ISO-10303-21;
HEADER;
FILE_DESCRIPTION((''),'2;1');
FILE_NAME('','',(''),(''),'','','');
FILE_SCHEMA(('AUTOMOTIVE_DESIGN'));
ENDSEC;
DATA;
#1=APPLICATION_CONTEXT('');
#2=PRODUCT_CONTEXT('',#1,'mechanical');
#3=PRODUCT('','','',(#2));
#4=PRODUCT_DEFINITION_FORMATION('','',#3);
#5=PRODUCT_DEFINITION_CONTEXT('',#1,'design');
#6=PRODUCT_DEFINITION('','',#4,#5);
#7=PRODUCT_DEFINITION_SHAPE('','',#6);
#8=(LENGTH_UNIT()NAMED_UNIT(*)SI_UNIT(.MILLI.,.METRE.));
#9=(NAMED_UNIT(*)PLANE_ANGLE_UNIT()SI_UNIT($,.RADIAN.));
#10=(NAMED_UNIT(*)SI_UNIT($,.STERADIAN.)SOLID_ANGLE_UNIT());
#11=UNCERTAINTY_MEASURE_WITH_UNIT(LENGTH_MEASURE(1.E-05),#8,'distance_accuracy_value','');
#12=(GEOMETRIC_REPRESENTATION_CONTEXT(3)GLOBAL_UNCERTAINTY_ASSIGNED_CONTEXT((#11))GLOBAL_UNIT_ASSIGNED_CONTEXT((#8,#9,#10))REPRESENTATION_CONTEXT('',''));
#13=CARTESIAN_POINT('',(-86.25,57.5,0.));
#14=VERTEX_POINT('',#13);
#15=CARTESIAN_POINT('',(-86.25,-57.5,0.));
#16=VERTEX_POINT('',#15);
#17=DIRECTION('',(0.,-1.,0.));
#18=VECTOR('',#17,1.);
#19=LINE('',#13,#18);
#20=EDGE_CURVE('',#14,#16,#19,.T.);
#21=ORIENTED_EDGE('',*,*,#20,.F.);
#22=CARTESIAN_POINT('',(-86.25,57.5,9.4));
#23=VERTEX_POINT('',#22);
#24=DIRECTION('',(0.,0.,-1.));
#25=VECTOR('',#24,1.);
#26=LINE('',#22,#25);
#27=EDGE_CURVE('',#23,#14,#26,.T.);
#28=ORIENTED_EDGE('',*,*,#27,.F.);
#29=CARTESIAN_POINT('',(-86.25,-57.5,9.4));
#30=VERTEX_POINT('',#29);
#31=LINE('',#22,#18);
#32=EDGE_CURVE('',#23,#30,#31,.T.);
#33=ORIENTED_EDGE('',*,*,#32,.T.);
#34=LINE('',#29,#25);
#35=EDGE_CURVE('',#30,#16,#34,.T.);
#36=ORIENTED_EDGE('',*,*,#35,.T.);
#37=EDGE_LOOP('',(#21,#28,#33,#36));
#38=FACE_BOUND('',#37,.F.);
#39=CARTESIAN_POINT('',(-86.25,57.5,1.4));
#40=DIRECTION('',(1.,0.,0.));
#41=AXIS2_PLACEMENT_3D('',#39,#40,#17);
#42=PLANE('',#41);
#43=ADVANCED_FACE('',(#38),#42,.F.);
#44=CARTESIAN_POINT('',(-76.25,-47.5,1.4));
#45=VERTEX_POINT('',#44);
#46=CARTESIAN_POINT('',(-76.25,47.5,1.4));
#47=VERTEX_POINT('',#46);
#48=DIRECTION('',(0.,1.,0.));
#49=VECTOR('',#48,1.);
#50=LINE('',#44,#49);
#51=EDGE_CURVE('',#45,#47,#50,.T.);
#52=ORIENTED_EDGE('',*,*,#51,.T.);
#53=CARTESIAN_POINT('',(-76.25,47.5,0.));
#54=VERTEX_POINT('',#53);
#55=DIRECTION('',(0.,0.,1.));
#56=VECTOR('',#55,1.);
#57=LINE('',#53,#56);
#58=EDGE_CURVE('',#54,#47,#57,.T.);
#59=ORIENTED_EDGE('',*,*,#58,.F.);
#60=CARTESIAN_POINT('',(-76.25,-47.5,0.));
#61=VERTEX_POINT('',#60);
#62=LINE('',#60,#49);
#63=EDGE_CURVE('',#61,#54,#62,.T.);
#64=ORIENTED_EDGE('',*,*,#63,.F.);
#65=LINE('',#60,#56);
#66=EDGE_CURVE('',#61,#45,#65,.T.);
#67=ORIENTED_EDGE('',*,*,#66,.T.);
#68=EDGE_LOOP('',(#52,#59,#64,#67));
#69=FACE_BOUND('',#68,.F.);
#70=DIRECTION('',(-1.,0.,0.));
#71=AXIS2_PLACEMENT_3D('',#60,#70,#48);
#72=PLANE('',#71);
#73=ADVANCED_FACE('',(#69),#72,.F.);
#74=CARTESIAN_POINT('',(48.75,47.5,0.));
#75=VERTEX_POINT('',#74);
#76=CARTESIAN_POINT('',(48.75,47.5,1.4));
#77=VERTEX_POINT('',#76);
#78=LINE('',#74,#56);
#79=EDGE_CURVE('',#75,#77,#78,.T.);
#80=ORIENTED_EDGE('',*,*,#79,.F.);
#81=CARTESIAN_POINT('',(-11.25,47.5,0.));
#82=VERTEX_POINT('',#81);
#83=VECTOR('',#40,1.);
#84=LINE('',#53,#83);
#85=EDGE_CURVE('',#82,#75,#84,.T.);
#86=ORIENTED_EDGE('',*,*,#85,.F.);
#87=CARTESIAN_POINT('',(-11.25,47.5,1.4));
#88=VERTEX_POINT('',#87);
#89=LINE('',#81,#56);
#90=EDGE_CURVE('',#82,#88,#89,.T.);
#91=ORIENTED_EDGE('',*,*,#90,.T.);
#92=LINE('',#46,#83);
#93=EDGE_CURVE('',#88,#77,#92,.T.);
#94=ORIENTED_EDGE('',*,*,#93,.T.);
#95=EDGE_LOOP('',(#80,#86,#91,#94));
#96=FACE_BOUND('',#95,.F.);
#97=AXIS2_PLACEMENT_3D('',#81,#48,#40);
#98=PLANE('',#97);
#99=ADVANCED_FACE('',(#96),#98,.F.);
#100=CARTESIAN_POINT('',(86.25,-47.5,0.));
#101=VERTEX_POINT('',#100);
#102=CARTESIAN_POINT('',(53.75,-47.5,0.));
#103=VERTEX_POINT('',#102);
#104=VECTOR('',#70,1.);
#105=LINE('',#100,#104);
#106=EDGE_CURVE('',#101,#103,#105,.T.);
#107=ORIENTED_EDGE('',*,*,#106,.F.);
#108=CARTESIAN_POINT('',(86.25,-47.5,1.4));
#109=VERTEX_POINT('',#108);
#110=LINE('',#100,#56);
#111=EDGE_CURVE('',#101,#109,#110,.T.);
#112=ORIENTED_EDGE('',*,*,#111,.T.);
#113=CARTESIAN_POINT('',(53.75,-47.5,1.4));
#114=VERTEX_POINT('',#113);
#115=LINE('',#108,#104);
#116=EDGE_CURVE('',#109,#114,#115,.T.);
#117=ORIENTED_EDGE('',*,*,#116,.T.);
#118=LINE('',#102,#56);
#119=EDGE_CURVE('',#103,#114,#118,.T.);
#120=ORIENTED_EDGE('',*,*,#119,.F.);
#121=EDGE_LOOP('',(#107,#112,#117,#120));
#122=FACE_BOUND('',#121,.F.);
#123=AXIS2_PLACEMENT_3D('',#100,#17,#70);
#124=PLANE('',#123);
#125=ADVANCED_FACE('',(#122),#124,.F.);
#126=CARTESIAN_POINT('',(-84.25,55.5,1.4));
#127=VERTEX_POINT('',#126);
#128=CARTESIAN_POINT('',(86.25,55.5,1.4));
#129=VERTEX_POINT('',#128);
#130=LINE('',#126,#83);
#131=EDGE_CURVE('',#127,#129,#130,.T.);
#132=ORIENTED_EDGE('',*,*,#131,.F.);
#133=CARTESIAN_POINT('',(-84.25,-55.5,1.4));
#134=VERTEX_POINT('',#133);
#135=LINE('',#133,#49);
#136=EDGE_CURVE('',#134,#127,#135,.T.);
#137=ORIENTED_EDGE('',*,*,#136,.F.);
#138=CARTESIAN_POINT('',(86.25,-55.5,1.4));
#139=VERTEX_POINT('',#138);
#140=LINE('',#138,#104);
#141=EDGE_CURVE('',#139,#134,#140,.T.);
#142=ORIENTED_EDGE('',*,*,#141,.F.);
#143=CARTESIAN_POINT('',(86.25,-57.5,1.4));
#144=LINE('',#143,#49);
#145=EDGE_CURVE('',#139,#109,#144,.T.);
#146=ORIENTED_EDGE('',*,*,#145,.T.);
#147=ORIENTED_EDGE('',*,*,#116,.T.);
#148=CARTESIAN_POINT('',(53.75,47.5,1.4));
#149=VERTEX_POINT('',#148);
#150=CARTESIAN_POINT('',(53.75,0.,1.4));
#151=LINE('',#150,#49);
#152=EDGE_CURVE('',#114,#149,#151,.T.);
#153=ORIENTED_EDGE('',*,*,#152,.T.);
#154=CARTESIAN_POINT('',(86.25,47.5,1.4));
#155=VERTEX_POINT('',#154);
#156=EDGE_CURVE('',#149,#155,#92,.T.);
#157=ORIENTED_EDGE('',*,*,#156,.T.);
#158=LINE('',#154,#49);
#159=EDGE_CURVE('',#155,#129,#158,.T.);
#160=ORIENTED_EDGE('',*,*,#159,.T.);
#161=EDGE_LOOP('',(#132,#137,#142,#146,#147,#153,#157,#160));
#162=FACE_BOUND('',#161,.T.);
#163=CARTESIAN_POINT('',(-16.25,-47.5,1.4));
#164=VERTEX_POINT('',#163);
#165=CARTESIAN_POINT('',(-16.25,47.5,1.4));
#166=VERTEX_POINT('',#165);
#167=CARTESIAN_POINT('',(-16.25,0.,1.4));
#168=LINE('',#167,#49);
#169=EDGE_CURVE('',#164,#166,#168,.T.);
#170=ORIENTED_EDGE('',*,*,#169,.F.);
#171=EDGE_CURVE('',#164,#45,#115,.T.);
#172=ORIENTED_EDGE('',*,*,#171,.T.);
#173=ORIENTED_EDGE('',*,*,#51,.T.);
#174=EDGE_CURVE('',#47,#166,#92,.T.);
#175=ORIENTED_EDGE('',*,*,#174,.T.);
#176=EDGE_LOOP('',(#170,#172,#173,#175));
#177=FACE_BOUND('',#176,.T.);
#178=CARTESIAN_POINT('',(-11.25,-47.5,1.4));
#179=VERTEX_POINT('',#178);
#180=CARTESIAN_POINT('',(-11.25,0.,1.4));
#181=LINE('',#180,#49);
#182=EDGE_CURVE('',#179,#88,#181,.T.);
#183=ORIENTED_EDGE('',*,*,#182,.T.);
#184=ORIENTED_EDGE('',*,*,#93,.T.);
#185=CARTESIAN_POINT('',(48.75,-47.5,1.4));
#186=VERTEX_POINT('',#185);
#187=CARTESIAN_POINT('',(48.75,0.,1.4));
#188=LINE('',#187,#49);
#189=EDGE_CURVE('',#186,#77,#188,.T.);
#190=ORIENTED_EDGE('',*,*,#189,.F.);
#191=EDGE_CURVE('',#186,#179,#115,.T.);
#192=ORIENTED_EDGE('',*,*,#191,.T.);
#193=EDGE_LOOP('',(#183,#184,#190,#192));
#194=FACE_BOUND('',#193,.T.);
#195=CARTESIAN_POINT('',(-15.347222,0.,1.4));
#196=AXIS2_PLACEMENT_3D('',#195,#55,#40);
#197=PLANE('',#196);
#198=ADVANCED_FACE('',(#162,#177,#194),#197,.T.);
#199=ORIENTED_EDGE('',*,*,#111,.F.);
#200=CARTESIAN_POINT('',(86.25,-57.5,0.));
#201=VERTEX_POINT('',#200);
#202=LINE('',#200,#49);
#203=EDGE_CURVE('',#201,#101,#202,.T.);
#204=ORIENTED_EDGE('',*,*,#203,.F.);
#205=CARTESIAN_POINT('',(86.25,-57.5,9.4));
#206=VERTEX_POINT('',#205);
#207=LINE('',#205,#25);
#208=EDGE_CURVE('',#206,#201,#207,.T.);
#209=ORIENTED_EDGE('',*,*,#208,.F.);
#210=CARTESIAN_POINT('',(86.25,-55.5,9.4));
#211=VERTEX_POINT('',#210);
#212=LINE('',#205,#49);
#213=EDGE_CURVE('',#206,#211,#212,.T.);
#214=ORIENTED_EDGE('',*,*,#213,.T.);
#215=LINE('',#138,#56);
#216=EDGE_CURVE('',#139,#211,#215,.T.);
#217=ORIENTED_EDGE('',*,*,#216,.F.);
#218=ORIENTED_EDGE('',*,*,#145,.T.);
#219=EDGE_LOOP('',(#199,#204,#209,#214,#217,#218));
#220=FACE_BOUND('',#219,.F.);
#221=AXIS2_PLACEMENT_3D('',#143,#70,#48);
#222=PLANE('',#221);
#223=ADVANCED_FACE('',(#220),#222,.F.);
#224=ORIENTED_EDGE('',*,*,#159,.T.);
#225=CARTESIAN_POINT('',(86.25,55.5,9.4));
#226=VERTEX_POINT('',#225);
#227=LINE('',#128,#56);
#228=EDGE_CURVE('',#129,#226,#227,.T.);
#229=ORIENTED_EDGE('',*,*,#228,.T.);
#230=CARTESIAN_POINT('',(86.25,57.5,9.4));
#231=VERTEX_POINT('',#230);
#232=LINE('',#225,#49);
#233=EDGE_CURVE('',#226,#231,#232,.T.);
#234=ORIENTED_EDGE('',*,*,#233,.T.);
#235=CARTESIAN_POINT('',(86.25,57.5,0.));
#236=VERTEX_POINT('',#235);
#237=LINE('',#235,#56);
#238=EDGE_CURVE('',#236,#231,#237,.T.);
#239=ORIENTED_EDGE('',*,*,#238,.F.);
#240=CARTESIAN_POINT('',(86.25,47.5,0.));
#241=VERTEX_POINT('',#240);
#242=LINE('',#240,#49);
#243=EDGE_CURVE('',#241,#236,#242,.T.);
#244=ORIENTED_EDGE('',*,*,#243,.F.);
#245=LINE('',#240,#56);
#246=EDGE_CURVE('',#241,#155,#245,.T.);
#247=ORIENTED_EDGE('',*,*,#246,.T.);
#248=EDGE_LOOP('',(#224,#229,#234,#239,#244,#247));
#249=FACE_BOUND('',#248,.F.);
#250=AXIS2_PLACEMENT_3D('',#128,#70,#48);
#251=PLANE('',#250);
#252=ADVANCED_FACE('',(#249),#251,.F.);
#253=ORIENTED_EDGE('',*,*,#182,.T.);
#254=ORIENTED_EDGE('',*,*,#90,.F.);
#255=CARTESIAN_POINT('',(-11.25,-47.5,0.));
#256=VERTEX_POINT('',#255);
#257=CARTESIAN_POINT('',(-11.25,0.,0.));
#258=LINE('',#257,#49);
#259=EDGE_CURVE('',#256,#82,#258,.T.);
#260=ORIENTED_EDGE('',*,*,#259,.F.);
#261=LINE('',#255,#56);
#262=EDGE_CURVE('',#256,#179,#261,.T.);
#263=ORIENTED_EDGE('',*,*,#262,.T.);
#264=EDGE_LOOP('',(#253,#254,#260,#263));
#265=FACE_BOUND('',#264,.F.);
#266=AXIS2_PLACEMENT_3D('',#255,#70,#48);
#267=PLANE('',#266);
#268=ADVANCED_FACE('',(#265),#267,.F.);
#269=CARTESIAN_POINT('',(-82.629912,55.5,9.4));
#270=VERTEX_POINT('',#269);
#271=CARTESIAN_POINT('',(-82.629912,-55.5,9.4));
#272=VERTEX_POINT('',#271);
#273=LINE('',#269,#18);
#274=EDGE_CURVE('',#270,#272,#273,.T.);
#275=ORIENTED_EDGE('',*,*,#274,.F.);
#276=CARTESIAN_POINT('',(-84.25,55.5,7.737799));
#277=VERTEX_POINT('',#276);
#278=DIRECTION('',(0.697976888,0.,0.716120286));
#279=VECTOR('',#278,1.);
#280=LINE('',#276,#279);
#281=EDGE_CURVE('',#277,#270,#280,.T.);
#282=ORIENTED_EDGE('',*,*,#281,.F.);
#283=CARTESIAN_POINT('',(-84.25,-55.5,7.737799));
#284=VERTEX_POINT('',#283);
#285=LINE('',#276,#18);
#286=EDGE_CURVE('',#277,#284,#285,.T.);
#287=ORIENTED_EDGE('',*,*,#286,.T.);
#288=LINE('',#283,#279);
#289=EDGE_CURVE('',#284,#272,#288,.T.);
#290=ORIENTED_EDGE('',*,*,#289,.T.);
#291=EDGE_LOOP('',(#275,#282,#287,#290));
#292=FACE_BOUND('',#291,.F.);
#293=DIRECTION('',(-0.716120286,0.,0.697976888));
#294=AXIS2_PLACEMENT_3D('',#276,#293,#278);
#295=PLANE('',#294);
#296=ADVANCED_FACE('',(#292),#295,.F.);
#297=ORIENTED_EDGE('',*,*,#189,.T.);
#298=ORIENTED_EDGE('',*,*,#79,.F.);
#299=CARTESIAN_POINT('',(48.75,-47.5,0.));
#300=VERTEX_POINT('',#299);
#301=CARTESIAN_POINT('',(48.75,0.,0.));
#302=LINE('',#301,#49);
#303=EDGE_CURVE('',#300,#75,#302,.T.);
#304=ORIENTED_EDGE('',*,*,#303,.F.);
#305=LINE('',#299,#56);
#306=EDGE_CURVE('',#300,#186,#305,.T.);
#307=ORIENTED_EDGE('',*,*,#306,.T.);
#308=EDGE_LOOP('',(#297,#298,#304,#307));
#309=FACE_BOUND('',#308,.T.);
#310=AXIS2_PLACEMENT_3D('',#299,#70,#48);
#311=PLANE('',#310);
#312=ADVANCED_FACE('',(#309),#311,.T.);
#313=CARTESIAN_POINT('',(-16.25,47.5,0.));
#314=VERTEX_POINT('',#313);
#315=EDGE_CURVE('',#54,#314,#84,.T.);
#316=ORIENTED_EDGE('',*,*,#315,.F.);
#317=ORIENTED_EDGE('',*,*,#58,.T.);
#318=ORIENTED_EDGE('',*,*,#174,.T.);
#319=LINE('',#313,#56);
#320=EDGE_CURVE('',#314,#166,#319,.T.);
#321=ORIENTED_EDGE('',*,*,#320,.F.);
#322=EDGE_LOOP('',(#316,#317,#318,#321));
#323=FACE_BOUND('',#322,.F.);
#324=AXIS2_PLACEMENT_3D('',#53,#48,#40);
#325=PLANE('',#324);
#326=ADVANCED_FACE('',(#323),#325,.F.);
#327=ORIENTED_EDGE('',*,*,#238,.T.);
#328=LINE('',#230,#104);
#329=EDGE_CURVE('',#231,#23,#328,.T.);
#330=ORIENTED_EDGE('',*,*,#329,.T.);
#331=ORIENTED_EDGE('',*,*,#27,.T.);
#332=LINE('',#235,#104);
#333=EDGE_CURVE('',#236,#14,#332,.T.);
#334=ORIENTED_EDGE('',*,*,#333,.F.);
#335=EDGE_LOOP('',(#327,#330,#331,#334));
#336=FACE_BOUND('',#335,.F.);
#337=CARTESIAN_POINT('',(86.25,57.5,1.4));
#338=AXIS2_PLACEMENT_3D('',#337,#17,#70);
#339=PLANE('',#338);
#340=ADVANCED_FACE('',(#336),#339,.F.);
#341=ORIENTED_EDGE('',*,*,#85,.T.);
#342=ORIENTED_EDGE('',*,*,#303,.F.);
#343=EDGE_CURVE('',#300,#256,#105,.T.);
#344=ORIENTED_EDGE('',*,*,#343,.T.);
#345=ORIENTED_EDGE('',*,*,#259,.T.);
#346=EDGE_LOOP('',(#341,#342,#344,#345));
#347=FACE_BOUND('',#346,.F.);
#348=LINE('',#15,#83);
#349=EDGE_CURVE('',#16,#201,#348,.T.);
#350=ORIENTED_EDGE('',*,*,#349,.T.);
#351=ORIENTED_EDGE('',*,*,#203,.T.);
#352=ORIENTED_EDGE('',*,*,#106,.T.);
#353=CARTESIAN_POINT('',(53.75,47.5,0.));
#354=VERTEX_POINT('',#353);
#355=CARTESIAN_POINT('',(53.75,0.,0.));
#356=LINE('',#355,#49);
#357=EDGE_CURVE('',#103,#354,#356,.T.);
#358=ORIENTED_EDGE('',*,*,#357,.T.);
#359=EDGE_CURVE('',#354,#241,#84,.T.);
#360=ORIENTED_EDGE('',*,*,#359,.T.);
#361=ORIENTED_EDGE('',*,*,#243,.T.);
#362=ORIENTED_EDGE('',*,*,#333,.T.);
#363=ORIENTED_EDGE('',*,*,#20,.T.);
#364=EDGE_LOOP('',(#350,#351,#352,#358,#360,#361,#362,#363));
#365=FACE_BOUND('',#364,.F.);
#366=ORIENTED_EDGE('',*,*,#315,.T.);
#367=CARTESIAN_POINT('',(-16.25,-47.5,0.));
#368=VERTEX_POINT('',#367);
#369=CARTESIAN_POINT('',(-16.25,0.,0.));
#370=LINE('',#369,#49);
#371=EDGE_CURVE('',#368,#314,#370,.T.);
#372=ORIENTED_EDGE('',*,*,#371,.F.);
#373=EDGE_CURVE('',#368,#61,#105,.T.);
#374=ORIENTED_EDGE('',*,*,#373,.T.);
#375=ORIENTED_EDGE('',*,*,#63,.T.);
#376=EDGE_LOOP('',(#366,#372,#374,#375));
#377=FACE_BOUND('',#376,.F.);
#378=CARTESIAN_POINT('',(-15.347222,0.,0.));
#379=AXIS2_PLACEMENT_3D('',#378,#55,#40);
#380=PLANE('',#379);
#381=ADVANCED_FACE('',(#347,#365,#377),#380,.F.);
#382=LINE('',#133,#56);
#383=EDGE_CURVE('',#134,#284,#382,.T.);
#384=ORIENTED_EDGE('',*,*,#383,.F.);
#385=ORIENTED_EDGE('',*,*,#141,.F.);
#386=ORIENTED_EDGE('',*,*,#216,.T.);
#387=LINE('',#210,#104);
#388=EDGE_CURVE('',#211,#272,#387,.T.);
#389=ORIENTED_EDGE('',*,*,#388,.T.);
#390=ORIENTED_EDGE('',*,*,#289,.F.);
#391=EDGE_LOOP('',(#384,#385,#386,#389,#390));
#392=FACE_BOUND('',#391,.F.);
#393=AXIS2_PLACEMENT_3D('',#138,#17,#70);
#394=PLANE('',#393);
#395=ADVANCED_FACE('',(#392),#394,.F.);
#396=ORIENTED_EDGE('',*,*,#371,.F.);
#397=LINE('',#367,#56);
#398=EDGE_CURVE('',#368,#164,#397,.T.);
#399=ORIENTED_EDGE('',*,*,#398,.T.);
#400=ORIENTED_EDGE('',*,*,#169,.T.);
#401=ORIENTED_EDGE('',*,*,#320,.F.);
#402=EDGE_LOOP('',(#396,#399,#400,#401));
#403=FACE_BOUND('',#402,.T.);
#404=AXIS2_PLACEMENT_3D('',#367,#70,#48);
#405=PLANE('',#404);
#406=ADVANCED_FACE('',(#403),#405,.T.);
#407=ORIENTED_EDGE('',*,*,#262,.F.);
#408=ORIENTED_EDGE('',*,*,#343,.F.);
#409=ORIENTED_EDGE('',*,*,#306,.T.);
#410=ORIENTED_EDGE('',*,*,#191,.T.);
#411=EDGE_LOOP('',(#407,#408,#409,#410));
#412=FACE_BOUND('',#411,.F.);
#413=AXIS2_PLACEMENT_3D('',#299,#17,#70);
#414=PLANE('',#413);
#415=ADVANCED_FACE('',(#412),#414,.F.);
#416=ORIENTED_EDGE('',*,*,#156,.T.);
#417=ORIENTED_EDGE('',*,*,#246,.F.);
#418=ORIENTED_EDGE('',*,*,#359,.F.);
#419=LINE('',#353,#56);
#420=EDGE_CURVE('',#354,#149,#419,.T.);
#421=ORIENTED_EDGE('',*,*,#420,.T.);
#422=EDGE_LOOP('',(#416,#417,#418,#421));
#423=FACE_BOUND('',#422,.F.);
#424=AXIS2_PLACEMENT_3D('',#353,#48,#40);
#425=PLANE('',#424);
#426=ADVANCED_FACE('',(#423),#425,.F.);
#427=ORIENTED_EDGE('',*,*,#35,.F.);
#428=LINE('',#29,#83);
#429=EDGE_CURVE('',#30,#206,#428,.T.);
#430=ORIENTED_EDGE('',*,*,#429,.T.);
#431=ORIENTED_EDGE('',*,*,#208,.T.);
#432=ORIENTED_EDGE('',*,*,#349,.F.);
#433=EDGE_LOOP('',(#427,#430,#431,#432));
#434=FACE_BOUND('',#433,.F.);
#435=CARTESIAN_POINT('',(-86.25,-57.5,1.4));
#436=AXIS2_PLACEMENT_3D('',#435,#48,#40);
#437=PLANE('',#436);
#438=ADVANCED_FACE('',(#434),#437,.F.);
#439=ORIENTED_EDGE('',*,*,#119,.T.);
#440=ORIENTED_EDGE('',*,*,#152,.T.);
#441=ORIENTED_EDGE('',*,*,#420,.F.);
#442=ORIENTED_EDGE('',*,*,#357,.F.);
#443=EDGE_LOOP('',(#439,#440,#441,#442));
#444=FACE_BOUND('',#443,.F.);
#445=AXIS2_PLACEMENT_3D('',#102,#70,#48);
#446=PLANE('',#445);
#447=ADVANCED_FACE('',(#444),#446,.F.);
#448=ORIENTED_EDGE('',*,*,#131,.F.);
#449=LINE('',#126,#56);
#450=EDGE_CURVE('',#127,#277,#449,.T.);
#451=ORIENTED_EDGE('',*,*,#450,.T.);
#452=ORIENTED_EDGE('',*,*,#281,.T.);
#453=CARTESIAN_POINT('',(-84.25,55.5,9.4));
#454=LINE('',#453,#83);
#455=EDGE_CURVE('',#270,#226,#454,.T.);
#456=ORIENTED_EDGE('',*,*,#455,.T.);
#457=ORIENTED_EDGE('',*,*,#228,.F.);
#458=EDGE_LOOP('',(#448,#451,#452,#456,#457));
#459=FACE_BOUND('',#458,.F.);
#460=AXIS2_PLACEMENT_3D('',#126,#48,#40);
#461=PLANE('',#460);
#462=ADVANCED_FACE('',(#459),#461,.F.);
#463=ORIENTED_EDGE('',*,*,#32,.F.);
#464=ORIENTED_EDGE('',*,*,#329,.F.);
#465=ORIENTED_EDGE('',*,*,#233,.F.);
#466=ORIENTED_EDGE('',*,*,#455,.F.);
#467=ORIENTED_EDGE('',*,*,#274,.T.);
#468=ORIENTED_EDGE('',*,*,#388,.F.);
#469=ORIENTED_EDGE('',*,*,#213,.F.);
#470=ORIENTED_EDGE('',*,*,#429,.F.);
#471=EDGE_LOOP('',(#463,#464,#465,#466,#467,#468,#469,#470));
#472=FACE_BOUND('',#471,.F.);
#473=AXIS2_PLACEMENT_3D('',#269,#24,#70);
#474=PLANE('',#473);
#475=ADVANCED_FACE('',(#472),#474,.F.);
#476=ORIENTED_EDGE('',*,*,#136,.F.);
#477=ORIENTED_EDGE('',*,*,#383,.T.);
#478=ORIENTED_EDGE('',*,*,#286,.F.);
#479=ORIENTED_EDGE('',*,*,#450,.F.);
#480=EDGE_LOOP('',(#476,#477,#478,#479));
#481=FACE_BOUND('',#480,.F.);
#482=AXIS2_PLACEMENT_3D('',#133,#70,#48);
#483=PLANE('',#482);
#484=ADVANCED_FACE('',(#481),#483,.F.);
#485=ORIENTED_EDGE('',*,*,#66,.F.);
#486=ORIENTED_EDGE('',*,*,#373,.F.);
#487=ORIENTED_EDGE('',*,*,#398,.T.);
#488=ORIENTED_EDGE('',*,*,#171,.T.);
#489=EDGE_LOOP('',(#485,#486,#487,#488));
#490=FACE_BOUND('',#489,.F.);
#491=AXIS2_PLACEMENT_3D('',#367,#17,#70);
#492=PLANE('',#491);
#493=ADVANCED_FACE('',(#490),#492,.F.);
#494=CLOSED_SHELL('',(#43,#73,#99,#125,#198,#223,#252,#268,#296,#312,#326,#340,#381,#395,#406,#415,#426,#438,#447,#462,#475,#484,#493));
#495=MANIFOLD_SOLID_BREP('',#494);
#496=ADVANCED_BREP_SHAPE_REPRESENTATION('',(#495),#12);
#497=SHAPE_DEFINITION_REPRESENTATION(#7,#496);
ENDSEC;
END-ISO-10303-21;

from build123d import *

# Parameters (mm, degrees)
F0_W     = 5
F0_H     = 95
F1_DEPTH = 1.4
F3_DEPTH = 8
F5_DEPTH = 111


with BuildPart() as f1:
    # F0 (on Top) → F1 (new body)
    with BuildSketch(Plane.XY):
        Polygon((86.25, 47.5), (86.25, 57.5), (-86.25, 57.5), (-86.25, -57.5), (86.25, -57.5), (86.25, -47.5), (53.75, -47.5), (48.75, -47.5), (-11.25, -47.5), (-16.25, -47.5), (-76.25, -47.5), (-76.25, 47.5), (-16.25, 47.5), (-11.25, 47.5), (48.75, 47.5), (53.75, 47.5), align=None)
        with Locations((-13.75, 0)):
            Rectangle(F0_W, F0_H)
        with Locations((51.25, 0)):
            Rectangle(F0_W, F0_H)
    extrude(amount=F1_DEPTH)

    # F2 (on face) → F3 (join)
    with BuildSketch(Plane.XY.offset(1.4)):
        Polygon((86.25, -57.5), (86.25, -55.5), (-84.25, -55.5), (-84.25, 55.5), (86.25, 55.5), (86.25, 57.5), (-86.25, 57.5), (-86.25, -57.5), align=None)
    extrude(amount=F3_DEPTH)

    # F4 (on face) → F5 (join, through all)
    with BuildSketch(Plane.XZ.offset(-55.5)):
        Polygon((-84.25, 9.4), (-84.25, 7.737799), (-82.629912, 9.4), align=None)
    extrude(amount=F5_DEPTH)


solid = f1.part
